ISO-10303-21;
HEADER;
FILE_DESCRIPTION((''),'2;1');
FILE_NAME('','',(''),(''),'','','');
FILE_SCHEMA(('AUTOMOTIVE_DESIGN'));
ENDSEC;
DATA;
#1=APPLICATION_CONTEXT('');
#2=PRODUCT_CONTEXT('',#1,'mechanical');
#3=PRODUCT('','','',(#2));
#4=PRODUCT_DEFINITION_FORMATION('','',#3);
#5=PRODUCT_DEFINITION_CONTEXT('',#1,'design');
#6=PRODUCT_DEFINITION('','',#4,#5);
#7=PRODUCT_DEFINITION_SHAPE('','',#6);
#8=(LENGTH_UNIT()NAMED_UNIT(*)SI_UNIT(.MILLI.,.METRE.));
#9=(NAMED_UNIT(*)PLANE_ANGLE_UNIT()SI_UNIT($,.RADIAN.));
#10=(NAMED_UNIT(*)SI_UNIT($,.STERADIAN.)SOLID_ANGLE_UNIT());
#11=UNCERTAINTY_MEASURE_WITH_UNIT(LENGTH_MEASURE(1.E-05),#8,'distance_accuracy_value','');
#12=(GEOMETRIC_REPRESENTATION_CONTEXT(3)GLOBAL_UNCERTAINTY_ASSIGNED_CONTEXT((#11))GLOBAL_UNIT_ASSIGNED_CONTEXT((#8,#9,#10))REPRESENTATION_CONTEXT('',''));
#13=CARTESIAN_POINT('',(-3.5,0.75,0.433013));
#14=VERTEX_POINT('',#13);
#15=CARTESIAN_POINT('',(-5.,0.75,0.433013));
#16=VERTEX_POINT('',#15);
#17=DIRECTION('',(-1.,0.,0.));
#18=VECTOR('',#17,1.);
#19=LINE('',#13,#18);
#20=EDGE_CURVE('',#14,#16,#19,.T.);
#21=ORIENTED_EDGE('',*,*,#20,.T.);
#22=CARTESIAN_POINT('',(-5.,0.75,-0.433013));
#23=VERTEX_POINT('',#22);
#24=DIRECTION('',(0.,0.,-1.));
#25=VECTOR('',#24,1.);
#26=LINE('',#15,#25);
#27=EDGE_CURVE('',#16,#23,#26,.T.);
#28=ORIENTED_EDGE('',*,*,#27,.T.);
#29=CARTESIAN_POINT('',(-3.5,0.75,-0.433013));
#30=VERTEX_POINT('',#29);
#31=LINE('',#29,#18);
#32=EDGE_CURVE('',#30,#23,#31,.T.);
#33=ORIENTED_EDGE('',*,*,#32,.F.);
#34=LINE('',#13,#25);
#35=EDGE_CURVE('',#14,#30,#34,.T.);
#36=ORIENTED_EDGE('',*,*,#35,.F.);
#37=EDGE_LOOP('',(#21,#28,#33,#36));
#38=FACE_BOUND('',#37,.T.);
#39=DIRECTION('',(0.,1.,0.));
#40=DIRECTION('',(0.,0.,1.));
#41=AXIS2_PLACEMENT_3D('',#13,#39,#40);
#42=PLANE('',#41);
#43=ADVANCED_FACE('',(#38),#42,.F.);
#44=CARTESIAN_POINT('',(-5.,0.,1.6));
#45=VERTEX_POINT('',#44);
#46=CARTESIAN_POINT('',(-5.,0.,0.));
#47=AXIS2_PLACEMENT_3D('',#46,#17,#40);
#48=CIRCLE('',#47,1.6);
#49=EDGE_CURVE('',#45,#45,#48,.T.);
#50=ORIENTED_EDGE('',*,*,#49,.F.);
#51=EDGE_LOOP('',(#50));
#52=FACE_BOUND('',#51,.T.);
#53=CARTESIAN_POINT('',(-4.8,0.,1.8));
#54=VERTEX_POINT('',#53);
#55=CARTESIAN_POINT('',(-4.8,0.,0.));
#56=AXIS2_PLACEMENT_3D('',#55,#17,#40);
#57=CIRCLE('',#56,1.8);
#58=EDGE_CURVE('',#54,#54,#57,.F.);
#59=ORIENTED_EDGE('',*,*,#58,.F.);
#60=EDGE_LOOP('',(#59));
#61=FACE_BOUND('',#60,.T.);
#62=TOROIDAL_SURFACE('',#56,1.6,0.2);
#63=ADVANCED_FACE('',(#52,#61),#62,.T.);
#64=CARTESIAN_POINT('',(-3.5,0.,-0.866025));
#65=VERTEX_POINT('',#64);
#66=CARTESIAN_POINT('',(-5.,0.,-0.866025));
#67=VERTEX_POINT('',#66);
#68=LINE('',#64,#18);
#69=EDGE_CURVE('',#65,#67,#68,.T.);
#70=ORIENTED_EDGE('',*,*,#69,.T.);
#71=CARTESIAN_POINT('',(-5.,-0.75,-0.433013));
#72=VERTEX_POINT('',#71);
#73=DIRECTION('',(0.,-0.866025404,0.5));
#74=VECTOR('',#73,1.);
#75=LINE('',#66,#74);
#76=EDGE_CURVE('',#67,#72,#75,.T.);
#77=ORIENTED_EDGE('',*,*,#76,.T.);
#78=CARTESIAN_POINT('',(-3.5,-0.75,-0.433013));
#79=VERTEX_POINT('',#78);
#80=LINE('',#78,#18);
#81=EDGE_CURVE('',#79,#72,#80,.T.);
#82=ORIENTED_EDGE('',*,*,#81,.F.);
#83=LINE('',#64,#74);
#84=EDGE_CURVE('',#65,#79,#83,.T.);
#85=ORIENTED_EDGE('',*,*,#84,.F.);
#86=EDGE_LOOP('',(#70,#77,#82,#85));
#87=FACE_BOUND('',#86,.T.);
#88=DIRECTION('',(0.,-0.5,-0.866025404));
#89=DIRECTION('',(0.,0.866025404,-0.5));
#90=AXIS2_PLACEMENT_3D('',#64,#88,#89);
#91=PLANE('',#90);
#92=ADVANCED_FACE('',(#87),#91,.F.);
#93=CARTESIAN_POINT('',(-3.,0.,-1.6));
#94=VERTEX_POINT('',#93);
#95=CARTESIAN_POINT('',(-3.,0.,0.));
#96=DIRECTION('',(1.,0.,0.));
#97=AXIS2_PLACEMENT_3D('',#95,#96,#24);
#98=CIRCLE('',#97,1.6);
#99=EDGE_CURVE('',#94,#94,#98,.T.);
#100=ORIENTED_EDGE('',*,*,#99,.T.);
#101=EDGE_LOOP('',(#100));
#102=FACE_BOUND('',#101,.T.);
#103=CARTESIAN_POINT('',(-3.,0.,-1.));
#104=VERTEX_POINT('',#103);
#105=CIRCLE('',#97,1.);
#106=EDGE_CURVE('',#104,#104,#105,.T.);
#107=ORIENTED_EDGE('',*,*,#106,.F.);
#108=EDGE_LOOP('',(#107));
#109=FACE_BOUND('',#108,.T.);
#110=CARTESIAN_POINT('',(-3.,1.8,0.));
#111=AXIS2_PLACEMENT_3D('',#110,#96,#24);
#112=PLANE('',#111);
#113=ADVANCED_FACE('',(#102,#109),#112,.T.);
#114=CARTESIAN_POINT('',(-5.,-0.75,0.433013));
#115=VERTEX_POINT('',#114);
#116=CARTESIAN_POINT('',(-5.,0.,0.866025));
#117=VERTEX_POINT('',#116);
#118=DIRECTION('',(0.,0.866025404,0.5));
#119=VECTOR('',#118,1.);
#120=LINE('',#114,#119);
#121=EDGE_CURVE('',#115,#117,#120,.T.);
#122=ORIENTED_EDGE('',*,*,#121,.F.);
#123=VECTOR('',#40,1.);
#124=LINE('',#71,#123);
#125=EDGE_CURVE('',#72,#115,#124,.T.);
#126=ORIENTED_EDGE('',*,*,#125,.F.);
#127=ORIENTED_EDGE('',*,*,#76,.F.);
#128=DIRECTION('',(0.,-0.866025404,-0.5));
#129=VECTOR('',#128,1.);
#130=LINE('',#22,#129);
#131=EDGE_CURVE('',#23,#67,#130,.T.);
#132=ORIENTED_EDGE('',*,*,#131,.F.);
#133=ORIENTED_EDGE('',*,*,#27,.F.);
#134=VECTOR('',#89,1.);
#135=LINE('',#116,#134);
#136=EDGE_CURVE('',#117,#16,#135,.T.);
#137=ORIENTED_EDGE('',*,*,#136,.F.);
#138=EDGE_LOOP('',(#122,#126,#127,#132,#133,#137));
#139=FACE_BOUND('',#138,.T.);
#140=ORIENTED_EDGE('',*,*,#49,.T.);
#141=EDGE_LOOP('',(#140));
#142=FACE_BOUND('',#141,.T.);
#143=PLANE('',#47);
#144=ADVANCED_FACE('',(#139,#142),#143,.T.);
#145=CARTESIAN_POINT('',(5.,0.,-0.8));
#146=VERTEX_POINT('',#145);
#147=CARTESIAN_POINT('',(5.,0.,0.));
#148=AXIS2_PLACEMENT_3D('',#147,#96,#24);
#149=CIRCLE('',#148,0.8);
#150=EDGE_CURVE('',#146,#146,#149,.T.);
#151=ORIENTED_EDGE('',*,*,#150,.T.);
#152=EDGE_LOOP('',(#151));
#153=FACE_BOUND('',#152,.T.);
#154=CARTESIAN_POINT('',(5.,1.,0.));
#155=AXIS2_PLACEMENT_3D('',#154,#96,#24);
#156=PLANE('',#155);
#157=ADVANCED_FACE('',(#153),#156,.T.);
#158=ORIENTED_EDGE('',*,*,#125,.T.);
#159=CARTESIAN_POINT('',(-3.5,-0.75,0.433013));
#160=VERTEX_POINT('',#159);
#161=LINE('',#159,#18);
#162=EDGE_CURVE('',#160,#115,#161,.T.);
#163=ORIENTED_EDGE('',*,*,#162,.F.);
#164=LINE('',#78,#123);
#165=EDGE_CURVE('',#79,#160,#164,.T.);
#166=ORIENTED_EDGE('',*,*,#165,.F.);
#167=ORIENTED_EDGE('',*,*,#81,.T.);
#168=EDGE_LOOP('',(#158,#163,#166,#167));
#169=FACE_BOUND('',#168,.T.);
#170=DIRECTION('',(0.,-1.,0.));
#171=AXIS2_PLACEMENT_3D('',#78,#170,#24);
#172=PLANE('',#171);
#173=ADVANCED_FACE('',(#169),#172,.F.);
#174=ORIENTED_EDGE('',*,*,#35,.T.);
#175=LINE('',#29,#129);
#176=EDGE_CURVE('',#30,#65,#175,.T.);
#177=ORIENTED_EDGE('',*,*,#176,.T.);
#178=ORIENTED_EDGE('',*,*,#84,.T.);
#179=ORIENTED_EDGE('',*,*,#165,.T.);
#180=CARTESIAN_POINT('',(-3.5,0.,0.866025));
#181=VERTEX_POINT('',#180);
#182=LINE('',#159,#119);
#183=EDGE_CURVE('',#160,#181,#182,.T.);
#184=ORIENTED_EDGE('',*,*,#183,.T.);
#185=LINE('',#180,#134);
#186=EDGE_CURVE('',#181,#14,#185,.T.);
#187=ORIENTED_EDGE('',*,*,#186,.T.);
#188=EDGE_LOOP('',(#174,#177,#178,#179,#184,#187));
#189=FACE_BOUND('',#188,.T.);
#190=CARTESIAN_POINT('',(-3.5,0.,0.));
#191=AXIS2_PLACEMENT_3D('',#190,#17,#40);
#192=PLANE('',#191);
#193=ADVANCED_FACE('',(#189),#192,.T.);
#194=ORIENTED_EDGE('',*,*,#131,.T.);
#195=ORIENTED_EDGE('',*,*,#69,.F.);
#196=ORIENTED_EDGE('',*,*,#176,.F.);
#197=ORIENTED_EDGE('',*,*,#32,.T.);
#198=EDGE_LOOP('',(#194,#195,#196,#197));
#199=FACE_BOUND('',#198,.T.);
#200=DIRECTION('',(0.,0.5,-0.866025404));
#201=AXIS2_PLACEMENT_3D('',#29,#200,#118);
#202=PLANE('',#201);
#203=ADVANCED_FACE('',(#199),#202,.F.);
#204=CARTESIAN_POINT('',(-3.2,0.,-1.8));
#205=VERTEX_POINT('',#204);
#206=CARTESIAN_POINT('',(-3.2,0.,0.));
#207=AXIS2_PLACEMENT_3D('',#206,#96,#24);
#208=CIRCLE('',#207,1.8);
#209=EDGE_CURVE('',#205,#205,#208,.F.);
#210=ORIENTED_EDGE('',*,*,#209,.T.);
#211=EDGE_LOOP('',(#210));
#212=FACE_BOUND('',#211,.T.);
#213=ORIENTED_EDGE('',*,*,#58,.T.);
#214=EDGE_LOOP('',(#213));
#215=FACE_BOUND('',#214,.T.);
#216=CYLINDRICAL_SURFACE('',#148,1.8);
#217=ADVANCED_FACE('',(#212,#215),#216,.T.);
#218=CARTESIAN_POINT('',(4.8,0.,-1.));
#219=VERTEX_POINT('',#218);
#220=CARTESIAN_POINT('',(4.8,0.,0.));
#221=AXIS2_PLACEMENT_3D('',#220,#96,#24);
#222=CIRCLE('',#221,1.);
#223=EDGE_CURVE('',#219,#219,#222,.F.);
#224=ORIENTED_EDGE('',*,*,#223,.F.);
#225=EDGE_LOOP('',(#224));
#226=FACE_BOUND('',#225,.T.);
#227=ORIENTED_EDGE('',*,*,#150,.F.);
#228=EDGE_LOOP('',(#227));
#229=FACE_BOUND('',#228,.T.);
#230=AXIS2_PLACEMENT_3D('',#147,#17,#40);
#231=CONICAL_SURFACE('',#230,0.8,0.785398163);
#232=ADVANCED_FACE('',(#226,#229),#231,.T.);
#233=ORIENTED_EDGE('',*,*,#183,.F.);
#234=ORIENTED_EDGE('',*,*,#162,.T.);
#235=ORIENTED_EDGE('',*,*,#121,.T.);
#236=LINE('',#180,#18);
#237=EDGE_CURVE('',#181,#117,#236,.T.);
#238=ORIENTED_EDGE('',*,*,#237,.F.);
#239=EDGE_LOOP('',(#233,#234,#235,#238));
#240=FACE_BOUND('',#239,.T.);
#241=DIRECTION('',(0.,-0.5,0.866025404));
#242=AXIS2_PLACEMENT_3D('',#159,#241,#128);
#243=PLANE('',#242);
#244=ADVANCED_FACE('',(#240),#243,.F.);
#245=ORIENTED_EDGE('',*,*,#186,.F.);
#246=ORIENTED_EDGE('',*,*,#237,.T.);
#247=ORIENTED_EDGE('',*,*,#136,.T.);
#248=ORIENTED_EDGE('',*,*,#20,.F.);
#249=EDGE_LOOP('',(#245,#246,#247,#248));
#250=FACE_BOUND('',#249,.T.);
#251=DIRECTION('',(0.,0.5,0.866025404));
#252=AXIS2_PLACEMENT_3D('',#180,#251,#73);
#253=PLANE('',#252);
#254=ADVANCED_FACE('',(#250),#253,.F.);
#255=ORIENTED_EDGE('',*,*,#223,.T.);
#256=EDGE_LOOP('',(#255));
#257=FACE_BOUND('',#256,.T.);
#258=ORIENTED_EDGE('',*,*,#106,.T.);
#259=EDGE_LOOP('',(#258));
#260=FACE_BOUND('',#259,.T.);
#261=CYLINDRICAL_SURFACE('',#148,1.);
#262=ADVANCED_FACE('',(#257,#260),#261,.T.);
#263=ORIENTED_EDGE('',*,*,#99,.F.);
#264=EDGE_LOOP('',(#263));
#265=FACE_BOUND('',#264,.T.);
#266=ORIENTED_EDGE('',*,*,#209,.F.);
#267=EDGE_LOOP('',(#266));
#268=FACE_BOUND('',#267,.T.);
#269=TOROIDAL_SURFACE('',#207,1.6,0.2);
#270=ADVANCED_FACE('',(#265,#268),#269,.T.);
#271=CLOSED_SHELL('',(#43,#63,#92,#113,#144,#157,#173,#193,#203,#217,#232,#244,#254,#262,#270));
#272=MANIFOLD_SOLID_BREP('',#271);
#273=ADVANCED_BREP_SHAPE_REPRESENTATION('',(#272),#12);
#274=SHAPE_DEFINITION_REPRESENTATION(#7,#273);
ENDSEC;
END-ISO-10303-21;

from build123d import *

# Parameters (mm, degrees)
CUT_EXTRUDE_1_DEPTH = 1.5
FILLET_1_R          = 0.2
CHAMFER_1_SIZE      = 0.2


with BuildPart() as part:
    # 草图1 → 旋转1 (revolve)
    with BuildSketch(Plane.XY):
        Polygon((-5, 0), (-5, 1.8), (-3, 1.8), (-3, 1), (5, 1), (5, 0), align=None)
    revolve(axis=Axis((5, 0, 0), (-1, 0, 0)))

    # 草图2 → 切除-拉伸1 (cut)
    with BuildSketch(Plane.ZY.offset(5)):
        Polygon((0.866025404, 0), (0.433012702, 0.75), (-0.433012702, 0.75), (-0.866025404, 0), (-0.433012702, -0.75), (0.433012702, -0.75), align=None)
    extrude(amount=-CUT_EXTRUDE_1_DEPTH, mode=Mode.SUBTRACT)

    # 圆角1
    fillet_1_edges = [part.edges().sort_by_distance(p)[0] for p in [
        (-3, -1.8, 0),
        (-5, -1.8, 0),
    ]]
    fillet(fillet_1_edges, radius=FILLET_1_R)

    # 倒角1
    chamfer_1_edges = [part.edges().sort_by_distance(p)[0] for p in [
        (5, -1, 0),
    ]]
    chamfer(chamfer_1_edges, length=CHAMFER_1_SIZE)


solid = part.part
